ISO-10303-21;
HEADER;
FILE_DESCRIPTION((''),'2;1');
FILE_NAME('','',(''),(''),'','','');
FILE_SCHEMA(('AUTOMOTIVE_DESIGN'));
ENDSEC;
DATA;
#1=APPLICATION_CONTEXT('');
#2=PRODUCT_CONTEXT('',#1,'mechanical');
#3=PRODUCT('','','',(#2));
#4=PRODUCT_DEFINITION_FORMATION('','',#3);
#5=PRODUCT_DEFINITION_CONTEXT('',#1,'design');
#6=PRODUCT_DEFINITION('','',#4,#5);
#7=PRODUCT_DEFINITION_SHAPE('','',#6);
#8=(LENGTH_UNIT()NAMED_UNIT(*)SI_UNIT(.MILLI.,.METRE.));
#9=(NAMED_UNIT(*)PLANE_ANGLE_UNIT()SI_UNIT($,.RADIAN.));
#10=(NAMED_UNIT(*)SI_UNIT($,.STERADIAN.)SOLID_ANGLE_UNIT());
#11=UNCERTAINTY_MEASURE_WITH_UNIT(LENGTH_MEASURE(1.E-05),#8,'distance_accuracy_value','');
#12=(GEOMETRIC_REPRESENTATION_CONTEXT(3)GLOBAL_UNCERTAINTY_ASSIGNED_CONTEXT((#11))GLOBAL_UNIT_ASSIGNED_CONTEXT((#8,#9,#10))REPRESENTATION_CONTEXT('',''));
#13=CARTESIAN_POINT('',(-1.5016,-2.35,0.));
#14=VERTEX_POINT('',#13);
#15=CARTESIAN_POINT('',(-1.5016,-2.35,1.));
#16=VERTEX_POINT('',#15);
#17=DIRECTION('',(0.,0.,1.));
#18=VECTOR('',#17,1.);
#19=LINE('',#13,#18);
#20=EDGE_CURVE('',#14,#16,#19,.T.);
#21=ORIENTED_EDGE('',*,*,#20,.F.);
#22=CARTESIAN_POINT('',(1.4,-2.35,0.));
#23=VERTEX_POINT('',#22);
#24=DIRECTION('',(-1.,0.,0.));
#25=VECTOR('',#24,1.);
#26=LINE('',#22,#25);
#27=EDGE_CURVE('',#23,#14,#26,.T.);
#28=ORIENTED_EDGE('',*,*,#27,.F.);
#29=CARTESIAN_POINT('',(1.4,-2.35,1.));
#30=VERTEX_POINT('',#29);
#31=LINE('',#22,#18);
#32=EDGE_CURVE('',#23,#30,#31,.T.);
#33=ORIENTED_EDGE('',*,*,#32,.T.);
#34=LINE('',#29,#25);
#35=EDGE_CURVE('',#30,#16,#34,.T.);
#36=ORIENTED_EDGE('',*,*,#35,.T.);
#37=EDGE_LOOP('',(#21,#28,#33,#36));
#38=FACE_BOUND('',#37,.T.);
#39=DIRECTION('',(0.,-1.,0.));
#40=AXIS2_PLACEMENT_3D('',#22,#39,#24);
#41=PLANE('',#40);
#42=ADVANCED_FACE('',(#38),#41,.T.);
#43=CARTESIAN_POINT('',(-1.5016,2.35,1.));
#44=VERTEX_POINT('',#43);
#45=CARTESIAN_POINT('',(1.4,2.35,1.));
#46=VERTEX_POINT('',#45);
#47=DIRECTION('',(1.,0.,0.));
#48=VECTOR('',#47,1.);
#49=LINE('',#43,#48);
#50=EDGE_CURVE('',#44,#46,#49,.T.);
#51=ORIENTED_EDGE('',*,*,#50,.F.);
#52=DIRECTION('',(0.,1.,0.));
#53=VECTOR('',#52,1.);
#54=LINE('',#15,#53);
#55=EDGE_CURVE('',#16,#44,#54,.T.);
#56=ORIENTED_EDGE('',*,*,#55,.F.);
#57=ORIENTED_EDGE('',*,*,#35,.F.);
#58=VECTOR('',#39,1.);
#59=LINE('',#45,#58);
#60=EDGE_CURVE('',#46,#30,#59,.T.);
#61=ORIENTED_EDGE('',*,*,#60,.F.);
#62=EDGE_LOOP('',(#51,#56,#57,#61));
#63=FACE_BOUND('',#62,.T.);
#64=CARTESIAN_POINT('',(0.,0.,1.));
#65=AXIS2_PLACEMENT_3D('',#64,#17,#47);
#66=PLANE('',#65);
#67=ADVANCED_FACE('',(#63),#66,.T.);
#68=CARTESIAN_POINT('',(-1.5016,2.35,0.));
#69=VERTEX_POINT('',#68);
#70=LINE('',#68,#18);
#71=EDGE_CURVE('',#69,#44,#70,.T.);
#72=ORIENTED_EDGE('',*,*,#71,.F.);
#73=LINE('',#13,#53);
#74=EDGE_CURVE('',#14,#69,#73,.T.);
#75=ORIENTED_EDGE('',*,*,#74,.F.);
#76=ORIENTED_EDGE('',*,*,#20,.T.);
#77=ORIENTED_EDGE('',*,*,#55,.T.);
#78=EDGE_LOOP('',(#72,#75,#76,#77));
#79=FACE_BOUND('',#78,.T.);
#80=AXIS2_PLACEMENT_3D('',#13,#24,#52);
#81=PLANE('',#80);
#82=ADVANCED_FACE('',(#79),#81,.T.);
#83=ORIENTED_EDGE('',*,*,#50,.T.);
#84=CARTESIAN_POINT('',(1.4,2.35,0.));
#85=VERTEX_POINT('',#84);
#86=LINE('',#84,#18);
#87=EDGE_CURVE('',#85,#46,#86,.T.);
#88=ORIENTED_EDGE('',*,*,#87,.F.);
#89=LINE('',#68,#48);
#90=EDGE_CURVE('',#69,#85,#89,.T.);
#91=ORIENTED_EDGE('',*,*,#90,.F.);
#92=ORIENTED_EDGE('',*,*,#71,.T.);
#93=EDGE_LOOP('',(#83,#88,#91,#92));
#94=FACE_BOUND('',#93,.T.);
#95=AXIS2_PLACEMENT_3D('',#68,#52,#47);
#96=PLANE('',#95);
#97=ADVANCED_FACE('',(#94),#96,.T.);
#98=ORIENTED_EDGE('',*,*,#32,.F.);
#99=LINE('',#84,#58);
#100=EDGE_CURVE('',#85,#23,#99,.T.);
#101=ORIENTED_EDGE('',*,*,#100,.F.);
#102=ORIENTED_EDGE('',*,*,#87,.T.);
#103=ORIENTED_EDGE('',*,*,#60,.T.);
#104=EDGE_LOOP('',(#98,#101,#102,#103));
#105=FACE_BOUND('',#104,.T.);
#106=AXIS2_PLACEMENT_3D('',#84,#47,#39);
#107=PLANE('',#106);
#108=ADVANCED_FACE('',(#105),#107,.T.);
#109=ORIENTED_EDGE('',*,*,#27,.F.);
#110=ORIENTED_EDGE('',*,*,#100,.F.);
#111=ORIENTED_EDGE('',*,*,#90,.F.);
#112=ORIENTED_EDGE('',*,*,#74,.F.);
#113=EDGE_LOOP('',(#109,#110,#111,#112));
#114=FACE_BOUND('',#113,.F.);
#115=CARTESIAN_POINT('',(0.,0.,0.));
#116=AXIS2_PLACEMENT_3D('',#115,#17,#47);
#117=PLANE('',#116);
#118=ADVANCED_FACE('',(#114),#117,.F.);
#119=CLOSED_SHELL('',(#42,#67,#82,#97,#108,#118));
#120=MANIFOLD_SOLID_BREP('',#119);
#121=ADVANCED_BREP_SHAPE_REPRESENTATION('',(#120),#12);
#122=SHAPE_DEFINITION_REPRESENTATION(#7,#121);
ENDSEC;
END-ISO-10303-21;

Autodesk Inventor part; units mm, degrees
ref_plane "YZ Plane" through (0, 0, 0) normal (1, 0, 0) x (0, 1, 0)
ref_plane "XZ Plane" through (0, 0, 0) normal (0, 1, 0) x (-1, 0, 0)
ref_plane "XY Plane" through (0, 0, 0) normal (0, 0, 1) x (1, 0, 0)
sketch "P-LCC-2, LED_IC_3_STATUS_P-LCC-2_43" plane through (0, 0, 0) normal (0, 0, 1) x (1, 0, 0)
  line L0 (-1.5016, 2.35) -> (1.4, 2.35)
  line L1 (1.4, 2.35) -> (1.4, -2.35)
  line L2 (1.4, -2.35) -> (-1.5016, -2.35)
  line L3 (-1.5016, -2.35) -> (-1.5016, 2.35)
extrude "Extrusion1" add sketch "P-LCC-2, LED_IC_3_STATUS_P-LCC-2_43" along normal blind 1
properties part number "LED_IC_3_STATUS_P-LCC-2"
